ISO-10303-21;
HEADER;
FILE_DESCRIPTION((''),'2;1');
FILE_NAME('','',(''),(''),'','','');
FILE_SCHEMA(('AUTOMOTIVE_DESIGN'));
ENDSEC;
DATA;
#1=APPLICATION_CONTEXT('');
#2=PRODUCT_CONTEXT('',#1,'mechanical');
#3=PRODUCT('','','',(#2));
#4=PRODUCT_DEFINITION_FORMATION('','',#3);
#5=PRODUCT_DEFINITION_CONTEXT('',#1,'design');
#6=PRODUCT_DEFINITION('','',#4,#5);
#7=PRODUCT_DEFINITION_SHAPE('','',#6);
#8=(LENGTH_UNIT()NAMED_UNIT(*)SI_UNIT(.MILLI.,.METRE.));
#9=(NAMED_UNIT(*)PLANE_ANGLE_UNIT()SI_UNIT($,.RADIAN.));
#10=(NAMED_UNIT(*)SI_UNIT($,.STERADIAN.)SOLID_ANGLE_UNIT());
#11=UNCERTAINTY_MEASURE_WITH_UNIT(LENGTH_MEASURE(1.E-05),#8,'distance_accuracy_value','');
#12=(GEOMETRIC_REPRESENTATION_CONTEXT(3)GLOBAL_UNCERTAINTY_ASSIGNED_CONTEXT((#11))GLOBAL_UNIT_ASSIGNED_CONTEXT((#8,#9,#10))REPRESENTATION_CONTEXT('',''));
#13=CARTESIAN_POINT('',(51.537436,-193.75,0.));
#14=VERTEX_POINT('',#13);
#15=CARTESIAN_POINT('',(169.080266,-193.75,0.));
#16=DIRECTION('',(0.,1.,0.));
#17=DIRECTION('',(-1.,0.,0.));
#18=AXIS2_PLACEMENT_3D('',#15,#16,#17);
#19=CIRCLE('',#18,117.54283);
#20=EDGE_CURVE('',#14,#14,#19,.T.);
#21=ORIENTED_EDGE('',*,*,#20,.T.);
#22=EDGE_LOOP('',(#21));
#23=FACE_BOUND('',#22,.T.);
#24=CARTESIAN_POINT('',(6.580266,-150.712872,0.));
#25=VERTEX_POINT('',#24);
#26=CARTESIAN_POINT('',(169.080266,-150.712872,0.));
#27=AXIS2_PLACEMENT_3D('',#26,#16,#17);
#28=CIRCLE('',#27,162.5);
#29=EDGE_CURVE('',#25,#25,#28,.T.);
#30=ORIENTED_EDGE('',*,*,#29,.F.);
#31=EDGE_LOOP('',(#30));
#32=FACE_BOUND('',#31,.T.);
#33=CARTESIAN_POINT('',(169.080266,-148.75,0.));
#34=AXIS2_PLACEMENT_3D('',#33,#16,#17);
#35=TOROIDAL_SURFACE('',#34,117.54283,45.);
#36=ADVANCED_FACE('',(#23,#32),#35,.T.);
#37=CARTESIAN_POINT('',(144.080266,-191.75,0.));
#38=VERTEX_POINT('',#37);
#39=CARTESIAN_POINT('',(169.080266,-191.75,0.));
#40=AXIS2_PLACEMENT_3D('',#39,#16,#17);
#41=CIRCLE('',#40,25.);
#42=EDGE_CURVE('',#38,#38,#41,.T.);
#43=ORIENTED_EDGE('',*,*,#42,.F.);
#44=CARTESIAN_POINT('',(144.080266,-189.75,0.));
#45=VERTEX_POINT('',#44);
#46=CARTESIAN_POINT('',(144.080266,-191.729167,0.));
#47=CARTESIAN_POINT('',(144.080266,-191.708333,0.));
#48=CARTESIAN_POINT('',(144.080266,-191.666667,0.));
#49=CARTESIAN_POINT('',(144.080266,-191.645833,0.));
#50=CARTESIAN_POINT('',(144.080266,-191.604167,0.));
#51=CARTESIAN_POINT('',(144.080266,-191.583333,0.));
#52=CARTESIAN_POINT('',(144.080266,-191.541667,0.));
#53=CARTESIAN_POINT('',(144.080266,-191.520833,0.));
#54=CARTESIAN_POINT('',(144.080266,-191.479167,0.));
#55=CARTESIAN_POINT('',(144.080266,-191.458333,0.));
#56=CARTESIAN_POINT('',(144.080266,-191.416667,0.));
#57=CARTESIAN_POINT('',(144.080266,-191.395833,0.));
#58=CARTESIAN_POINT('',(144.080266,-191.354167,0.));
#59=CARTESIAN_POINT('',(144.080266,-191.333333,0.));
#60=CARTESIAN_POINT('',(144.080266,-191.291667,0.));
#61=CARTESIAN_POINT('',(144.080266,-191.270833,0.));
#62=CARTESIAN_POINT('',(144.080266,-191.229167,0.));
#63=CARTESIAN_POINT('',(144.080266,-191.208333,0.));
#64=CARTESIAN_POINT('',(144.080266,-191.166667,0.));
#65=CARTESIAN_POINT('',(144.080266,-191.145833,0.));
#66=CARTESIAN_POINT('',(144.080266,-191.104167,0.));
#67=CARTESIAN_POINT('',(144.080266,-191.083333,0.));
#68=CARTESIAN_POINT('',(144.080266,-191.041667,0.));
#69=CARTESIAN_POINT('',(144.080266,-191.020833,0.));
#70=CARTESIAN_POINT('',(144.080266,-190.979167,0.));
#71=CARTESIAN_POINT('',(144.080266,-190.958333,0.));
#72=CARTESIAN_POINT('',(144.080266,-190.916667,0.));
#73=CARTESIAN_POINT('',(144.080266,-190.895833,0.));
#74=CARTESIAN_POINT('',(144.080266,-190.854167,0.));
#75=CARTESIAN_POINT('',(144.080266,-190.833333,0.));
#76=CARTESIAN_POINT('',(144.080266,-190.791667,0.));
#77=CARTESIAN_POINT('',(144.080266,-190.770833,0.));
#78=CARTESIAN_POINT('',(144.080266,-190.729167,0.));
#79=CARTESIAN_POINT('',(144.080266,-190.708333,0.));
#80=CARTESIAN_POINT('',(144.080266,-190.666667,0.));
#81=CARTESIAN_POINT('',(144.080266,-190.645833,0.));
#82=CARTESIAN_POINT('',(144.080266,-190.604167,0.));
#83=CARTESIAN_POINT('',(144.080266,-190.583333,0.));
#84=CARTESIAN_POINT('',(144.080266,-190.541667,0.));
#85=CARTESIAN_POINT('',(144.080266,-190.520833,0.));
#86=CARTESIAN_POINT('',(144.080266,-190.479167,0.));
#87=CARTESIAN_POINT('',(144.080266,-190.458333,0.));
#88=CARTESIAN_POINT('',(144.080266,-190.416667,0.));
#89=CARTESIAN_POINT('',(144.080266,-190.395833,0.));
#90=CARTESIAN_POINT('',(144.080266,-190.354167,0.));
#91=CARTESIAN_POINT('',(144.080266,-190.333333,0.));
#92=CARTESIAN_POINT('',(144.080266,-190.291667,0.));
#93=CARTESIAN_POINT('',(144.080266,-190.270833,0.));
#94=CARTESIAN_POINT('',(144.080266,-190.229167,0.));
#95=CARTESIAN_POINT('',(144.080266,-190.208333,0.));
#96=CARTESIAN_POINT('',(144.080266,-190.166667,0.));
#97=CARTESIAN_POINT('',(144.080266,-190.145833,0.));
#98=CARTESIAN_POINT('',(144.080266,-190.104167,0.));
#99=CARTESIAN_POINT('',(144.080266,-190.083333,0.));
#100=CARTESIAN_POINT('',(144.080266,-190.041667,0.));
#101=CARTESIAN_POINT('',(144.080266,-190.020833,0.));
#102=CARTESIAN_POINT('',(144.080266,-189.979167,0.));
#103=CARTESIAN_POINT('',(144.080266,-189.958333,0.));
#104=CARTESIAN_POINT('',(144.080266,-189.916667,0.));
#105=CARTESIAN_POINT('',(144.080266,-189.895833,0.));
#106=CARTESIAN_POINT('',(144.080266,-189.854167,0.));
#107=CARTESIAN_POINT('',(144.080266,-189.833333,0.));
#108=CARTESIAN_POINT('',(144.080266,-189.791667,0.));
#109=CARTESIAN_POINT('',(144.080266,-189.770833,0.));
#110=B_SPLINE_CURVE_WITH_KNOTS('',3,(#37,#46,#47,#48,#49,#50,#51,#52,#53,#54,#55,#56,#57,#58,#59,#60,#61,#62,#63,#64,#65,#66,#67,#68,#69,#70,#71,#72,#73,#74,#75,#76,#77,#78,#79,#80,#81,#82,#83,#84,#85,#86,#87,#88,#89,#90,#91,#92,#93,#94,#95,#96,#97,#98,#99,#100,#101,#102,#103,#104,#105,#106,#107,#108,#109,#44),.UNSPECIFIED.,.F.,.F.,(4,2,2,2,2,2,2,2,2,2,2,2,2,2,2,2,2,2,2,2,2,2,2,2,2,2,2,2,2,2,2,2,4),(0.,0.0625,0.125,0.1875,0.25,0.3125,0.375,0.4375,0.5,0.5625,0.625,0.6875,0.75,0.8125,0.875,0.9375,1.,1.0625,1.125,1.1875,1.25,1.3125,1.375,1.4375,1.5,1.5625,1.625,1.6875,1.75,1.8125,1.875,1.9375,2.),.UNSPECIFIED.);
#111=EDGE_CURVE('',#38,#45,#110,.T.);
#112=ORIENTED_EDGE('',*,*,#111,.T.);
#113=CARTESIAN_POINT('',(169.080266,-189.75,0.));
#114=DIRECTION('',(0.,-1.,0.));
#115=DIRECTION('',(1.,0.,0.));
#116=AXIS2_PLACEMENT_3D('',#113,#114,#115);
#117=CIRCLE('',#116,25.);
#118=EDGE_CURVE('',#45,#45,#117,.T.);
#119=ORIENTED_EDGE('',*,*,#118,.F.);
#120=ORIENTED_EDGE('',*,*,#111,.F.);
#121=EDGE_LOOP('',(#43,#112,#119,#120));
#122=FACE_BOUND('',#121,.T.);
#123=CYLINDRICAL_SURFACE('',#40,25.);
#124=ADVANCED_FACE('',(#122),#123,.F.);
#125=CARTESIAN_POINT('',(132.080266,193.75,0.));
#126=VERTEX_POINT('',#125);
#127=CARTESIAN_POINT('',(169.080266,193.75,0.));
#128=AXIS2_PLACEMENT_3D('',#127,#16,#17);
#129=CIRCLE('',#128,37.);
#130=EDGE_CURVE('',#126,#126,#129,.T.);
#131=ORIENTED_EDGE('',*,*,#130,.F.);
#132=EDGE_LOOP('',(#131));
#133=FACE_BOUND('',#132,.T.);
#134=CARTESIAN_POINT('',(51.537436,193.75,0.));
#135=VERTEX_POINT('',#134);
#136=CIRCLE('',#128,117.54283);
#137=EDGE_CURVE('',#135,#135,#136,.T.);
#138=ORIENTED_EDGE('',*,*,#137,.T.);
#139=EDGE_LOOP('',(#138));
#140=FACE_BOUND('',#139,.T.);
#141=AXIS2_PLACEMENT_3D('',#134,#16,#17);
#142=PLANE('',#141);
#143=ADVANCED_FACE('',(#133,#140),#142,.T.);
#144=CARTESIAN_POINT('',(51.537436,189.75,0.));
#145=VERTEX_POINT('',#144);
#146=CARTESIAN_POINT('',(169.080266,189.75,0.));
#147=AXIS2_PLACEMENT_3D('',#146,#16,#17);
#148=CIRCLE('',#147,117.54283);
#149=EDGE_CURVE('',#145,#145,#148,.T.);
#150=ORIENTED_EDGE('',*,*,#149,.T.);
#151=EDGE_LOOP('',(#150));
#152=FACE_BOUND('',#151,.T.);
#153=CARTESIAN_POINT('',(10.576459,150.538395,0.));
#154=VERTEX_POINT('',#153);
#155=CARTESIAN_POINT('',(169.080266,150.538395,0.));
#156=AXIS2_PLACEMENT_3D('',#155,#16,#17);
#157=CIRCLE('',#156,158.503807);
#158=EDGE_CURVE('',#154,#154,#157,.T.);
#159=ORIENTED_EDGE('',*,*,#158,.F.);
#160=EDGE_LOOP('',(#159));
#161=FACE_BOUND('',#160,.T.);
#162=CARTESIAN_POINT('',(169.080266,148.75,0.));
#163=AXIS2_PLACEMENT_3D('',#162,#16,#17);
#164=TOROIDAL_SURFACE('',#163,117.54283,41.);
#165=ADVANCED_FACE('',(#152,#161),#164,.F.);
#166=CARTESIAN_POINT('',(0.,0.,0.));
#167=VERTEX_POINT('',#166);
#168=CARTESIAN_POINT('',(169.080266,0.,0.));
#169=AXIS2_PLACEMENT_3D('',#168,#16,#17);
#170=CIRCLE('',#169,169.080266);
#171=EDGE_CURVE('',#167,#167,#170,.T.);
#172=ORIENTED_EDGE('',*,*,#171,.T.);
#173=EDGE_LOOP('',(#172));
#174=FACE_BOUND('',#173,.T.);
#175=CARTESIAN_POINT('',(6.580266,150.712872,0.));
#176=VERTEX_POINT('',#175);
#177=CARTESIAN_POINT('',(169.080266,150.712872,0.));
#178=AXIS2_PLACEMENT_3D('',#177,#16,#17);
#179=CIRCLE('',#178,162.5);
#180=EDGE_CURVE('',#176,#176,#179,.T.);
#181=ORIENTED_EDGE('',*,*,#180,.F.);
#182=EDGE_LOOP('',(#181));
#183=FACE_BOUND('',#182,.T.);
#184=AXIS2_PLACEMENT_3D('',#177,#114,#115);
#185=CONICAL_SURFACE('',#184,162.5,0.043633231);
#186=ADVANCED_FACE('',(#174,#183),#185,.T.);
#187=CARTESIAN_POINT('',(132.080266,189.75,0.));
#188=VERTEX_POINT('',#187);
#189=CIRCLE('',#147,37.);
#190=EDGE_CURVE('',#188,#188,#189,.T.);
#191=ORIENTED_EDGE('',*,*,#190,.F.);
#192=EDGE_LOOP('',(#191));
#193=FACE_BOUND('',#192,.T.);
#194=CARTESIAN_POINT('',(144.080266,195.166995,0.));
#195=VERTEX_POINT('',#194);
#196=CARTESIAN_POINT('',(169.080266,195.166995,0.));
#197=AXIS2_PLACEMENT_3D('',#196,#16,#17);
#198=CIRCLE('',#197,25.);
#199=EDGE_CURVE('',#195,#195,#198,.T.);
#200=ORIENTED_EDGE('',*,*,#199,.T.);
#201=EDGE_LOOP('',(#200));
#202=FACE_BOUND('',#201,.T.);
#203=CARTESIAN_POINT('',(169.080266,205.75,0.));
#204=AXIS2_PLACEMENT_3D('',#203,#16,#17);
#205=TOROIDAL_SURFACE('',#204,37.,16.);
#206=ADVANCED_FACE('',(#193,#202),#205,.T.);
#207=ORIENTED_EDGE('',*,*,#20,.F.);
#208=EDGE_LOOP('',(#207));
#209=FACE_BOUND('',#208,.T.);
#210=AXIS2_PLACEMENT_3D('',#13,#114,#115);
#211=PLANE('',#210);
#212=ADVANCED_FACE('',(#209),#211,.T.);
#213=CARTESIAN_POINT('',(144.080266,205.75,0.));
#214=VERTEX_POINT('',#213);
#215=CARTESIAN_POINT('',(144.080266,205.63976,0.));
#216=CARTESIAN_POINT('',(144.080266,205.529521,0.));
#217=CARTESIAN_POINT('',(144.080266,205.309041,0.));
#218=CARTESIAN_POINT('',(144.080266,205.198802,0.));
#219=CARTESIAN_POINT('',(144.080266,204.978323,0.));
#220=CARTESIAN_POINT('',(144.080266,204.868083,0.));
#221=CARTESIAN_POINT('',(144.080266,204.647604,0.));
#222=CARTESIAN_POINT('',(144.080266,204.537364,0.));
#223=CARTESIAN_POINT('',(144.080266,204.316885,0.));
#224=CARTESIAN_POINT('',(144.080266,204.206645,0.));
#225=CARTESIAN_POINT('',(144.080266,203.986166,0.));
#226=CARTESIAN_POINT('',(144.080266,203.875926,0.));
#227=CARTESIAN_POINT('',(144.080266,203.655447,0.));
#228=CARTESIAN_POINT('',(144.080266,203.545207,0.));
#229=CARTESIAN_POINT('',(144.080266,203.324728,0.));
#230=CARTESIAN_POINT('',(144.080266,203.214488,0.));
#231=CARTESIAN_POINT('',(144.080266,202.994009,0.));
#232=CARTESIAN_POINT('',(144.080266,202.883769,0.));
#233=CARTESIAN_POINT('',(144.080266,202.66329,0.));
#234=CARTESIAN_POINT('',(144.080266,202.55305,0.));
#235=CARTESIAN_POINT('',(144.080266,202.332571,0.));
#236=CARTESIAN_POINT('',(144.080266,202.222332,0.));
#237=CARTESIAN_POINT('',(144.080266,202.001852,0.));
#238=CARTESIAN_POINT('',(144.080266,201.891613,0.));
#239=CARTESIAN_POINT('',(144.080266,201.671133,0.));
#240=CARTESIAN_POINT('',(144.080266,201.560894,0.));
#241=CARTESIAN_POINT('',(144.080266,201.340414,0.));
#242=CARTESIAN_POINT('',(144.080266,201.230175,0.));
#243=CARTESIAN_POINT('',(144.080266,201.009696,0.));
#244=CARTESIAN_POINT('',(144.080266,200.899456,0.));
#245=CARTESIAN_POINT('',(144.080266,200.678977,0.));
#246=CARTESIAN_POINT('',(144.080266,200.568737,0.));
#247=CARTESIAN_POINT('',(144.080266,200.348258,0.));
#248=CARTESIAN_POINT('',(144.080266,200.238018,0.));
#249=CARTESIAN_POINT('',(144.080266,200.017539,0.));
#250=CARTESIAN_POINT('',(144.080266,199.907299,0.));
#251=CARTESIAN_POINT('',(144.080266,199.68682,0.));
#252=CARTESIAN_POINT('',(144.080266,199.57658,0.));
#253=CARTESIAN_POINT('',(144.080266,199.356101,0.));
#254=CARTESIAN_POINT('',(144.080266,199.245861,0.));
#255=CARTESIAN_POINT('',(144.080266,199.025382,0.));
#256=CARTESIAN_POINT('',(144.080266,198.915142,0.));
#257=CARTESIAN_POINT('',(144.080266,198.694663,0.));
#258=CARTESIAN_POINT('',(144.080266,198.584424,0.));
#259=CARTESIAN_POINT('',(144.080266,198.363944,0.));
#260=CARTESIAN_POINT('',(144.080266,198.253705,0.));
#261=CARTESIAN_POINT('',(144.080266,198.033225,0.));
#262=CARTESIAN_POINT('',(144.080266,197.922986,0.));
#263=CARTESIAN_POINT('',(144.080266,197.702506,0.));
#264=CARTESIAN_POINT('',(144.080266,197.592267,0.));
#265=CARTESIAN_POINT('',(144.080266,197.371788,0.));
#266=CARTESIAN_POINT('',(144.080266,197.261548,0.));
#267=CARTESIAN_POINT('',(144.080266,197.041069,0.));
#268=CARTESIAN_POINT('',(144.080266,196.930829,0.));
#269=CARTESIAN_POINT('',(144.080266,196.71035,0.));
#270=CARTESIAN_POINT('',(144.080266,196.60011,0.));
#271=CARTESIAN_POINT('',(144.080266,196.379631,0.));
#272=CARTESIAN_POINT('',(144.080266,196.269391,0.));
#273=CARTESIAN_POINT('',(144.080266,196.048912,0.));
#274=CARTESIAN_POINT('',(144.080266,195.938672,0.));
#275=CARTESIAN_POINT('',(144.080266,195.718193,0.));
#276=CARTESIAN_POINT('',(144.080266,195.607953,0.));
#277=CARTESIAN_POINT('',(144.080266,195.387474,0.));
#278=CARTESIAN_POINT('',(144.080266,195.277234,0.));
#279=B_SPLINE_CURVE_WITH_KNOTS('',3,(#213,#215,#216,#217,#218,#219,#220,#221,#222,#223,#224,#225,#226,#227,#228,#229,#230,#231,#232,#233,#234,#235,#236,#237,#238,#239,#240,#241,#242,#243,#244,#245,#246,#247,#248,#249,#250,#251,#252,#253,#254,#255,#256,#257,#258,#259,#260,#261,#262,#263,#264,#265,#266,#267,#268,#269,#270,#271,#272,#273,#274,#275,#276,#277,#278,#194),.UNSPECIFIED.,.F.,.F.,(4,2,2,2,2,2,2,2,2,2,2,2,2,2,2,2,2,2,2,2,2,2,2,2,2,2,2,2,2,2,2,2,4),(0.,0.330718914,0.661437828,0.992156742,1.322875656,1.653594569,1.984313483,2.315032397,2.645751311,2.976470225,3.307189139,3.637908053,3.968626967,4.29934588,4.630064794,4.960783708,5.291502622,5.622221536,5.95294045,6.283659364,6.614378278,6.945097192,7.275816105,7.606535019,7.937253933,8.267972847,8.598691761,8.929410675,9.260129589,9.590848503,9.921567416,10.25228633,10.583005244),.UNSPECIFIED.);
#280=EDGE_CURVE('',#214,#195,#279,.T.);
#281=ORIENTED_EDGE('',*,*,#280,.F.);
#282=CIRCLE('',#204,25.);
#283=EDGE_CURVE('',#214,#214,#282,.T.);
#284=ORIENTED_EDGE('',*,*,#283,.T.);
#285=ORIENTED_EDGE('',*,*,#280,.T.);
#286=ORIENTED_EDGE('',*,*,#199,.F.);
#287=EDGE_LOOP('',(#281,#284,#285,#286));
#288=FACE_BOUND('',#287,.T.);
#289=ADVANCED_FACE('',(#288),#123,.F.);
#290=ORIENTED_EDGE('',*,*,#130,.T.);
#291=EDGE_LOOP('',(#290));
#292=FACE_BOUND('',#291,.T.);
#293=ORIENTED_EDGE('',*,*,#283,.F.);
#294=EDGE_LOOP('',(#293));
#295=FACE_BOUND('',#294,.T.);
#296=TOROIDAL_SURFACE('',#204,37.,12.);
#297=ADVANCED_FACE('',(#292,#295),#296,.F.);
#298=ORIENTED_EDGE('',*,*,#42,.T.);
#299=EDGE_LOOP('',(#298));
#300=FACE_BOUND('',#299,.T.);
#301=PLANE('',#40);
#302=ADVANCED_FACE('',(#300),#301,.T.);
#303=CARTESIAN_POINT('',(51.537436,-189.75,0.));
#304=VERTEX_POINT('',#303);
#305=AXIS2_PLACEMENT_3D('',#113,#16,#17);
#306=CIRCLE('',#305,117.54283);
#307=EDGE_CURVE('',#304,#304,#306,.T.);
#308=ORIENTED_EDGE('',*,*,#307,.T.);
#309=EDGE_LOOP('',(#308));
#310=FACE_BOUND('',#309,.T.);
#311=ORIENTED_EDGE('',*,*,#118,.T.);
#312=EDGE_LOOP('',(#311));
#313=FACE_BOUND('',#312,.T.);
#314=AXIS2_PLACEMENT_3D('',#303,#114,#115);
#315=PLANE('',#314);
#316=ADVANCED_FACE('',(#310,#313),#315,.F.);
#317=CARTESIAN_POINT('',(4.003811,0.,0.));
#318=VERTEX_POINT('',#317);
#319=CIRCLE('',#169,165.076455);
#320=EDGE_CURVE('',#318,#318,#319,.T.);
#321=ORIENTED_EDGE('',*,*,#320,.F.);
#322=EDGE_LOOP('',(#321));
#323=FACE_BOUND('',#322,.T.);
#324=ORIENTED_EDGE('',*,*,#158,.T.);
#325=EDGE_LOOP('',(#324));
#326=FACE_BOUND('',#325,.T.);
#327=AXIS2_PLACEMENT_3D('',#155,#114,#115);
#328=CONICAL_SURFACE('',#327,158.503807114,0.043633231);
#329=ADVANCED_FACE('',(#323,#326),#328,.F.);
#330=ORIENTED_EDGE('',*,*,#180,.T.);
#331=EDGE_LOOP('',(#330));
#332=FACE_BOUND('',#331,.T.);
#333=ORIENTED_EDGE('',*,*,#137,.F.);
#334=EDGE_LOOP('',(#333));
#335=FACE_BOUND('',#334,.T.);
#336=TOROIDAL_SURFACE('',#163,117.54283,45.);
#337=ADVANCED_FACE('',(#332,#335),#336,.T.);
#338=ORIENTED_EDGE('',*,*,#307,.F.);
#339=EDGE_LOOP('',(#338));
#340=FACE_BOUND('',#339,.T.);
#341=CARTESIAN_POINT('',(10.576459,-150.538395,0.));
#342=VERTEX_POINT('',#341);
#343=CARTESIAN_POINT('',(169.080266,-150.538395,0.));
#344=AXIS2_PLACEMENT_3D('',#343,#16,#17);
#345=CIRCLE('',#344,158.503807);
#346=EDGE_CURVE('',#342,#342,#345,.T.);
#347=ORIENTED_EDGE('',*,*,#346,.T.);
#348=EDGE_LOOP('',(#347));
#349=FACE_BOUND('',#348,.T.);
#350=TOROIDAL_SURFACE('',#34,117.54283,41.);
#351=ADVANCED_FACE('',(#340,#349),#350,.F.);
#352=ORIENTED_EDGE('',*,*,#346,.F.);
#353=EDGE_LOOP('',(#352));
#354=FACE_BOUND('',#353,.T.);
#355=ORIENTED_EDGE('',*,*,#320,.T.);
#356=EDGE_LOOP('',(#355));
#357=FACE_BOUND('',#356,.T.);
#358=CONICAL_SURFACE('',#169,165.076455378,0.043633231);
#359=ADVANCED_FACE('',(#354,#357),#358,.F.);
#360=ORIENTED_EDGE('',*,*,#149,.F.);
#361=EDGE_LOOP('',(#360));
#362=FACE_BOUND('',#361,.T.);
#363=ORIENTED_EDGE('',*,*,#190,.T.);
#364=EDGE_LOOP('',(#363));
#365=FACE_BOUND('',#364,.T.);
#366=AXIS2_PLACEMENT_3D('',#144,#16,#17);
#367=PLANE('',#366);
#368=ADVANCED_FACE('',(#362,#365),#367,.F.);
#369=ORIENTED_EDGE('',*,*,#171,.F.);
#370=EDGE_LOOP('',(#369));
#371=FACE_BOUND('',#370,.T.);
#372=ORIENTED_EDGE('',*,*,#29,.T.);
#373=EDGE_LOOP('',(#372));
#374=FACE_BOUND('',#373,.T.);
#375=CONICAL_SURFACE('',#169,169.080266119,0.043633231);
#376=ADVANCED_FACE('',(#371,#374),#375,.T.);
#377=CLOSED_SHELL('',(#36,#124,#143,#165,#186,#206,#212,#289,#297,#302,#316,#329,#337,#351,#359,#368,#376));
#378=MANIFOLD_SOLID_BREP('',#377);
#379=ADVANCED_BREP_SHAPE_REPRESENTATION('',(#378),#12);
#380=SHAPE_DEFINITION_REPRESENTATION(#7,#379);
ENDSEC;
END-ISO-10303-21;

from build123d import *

# Parameters (mm, degrees)
SKETCH3_R          = 25
CUT_EXTRUDE4_DEPTH = 405.5


with BuildPart() as part:
    # Sketch2 → Revolve1 (revolve)
    with BuildSketch(Plane.XY):
        with BuildLine():
            Line((0, 0), (6.580266119, 150.712872431))
            ThreePointArc((6.580266119, 150.712872431), (20.41934858, 181.256378293), (51.53743609, 193.75))
            Line((51.53743609, 193.75), (132.080266119, 193.75))
            ThreePointArc((132.080266119, 193.75), (140.565547493, 197.264718626), (144.080266119, 205.75))
            Line((144.080266119, 205.75), (144.080266119, 213.75))
            Line((144.080266119, 213.75), (169.080266119, 213.75))
            Line((169.080266119, 213.75), (169.080266119, -193.75))
            Line((169.080266119, -193.75), (51.53743609, -193.75))
            ThreePointArc((51.53743609, -193.75), (20.41934858, -181.256378293), (6.580266119, -150.712872431))
            Line((6.580266119, -150.712872431), (0, 0))
        make_face()
        with BuildLine():
            Line((165.080266119, 209.75), (165.080266119, -189.75))
            Line((165.080266119, -189.75), (51.53743609, -189.75))
            ThreePointArc((51.53743609, -189.75), (23.185400803, -178.366922444), (10.576459005, -150.538394882))
            Line((10.576459005, -150.538394882), (4.003810741, 0))
            Line((4.003810741, 0), (10.576459005, 150.538394882))
            ThreePointArc((10.576459005, 150.538394882), (23.185400803, 178.366922444), (51.53743609, 189.75))
            Line((51.53743609, 189.75), (132.080266119, 189.75))
            ThreePointArc((132.080266119, 189.75), (143.393974618, 194.436291501), (148.080266119, 205.75))
            Line((148.080266119, 205.75), (148.080266119, 209.75))
            Line((148.080266119, 209.75), (165.080266119, 209.75))
        make_face(mode=Mode.SUBTRACT)
    revolve(axis=Axis((169.080266119, 213.75, 0), (0, -1, 0)))

    # Sketch3 → Cut-Extrude4 (cut)
    with BuildSketch(Plane(origin=(0, 213.75, 0), x_dir=(1, 0, 0), z_dir=(0, 1, 0))):
        with Locations(Location((169.080266119, 0, 0), (0, 0, 180))):
            Circle(SKETCH3_R)
    extrude(amount=-CUT_EXTRUDE4_DEPTH, mode=Mode.SUBTRACT)


solid = part.part
